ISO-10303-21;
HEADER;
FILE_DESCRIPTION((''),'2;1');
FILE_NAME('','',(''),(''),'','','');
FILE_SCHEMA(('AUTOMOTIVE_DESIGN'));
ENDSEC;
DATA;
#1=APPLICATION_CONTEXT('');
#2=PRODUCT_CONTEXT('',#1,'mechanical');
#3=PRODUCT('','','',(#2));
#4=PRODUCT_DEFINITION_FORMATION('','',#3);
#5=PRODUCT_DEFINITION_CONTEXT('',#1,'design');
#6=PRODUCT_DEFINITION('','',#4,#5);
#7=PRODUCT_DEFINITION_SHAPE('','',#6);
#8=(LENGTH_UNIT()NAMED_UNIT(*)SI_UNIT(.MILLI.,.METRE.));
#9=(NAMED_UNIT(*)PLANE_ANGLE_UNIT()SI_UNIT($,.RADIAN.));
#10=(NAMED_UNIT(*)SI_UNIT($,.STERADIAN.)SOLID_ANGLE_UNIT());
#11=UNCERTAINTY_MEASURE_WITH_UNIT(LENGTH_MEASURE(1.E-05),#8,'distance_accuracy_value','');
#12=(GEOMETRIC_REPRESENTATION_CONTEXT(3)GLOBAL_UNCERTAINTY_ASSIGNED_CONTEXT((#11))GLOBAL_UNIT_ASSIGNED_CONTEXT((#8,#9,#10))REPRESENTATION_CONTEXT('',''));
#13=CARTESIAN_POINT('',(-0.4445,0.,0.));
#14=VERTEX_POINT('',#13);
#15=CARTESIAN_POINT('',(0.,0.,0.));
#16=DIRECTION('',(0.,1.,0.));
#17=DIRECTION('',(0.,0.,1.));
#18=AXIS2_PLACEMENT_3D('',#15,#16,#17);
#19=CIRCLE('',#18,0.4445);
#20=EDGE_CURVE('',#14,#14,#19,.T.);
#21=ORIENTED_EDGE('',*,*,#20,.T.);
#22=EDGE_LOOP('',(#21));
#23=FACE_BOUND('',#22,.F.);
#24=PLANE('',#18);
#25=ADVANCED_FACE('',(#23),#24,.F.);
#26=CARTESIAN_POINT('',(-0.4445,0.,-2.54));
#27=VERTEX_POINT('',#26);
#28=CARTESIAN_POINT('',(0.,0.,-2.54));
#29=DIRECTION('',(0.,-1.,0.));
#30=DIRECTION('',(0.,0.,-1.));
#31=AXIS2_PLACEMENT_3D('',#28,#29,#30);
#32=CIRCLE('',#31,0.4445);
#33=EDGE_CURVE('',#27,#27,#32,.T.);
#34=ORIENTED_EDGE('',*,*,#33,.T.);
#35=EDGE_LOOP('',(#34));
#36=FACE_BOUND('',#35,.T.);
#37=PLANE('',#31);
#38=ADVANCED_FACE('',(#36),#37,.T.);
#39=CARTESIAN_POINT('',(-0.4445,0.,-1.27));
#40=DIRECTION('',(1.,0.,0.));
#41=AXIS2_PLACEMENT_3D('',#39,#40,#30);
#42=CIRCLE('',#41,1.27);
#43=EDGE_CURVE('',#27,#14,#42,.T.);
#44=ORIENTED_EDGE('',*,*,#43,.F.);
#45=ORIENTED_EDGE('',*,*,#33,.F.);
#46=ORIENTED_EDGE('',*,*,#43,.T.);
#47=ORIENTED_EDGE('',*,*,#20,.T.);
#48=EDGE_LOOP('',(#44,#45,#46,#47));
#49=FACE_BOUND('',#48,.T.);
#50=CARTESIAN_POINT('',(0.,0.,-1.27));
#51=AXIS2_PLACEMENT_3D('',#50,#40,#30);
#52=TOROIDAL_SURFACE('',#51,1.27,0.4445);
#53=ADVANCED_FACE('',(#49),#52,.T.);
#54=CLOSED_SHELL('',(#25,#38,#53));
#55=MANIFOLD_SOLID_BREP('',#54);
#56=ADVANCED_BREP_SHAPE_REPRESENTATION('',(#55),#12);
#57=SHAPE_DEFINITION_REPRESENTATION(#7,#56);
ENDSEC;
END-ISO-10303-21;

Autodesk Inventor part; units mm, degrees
ref_plane "YZ Plane" through (0, 0, 0) normal (1, 0, 0) x (0, 1, 0)
ref_plane "XZ Plane" through (0, 0, 0) normal (0, 1, 0) x (-1, 0, 0)
ref_plane "XY Plane" through (0, 0, 0) normal (0, 0, 1) x (1, 0, 0)
sketch "Sketch1" plane through (0, 0, 0) normal (0, 1, 0) x (-1, 0, 0)
  circle A0 centre (0, 0) radius 0.4445
  dimension "d0" = 0.889
sketch "Sketch2" plane through (0, 0, 0) normal (1, 0, 0) x (0, 1, 0)
  arc A0 (0, -2.54) -> (0, 0) centre (0, -1.27) ccw
  dimension "d1" = 2.54
sweep "Sweep1" add profiles "Sketch1" path "Sketch2"
properties part number "wire" material "Copper"
